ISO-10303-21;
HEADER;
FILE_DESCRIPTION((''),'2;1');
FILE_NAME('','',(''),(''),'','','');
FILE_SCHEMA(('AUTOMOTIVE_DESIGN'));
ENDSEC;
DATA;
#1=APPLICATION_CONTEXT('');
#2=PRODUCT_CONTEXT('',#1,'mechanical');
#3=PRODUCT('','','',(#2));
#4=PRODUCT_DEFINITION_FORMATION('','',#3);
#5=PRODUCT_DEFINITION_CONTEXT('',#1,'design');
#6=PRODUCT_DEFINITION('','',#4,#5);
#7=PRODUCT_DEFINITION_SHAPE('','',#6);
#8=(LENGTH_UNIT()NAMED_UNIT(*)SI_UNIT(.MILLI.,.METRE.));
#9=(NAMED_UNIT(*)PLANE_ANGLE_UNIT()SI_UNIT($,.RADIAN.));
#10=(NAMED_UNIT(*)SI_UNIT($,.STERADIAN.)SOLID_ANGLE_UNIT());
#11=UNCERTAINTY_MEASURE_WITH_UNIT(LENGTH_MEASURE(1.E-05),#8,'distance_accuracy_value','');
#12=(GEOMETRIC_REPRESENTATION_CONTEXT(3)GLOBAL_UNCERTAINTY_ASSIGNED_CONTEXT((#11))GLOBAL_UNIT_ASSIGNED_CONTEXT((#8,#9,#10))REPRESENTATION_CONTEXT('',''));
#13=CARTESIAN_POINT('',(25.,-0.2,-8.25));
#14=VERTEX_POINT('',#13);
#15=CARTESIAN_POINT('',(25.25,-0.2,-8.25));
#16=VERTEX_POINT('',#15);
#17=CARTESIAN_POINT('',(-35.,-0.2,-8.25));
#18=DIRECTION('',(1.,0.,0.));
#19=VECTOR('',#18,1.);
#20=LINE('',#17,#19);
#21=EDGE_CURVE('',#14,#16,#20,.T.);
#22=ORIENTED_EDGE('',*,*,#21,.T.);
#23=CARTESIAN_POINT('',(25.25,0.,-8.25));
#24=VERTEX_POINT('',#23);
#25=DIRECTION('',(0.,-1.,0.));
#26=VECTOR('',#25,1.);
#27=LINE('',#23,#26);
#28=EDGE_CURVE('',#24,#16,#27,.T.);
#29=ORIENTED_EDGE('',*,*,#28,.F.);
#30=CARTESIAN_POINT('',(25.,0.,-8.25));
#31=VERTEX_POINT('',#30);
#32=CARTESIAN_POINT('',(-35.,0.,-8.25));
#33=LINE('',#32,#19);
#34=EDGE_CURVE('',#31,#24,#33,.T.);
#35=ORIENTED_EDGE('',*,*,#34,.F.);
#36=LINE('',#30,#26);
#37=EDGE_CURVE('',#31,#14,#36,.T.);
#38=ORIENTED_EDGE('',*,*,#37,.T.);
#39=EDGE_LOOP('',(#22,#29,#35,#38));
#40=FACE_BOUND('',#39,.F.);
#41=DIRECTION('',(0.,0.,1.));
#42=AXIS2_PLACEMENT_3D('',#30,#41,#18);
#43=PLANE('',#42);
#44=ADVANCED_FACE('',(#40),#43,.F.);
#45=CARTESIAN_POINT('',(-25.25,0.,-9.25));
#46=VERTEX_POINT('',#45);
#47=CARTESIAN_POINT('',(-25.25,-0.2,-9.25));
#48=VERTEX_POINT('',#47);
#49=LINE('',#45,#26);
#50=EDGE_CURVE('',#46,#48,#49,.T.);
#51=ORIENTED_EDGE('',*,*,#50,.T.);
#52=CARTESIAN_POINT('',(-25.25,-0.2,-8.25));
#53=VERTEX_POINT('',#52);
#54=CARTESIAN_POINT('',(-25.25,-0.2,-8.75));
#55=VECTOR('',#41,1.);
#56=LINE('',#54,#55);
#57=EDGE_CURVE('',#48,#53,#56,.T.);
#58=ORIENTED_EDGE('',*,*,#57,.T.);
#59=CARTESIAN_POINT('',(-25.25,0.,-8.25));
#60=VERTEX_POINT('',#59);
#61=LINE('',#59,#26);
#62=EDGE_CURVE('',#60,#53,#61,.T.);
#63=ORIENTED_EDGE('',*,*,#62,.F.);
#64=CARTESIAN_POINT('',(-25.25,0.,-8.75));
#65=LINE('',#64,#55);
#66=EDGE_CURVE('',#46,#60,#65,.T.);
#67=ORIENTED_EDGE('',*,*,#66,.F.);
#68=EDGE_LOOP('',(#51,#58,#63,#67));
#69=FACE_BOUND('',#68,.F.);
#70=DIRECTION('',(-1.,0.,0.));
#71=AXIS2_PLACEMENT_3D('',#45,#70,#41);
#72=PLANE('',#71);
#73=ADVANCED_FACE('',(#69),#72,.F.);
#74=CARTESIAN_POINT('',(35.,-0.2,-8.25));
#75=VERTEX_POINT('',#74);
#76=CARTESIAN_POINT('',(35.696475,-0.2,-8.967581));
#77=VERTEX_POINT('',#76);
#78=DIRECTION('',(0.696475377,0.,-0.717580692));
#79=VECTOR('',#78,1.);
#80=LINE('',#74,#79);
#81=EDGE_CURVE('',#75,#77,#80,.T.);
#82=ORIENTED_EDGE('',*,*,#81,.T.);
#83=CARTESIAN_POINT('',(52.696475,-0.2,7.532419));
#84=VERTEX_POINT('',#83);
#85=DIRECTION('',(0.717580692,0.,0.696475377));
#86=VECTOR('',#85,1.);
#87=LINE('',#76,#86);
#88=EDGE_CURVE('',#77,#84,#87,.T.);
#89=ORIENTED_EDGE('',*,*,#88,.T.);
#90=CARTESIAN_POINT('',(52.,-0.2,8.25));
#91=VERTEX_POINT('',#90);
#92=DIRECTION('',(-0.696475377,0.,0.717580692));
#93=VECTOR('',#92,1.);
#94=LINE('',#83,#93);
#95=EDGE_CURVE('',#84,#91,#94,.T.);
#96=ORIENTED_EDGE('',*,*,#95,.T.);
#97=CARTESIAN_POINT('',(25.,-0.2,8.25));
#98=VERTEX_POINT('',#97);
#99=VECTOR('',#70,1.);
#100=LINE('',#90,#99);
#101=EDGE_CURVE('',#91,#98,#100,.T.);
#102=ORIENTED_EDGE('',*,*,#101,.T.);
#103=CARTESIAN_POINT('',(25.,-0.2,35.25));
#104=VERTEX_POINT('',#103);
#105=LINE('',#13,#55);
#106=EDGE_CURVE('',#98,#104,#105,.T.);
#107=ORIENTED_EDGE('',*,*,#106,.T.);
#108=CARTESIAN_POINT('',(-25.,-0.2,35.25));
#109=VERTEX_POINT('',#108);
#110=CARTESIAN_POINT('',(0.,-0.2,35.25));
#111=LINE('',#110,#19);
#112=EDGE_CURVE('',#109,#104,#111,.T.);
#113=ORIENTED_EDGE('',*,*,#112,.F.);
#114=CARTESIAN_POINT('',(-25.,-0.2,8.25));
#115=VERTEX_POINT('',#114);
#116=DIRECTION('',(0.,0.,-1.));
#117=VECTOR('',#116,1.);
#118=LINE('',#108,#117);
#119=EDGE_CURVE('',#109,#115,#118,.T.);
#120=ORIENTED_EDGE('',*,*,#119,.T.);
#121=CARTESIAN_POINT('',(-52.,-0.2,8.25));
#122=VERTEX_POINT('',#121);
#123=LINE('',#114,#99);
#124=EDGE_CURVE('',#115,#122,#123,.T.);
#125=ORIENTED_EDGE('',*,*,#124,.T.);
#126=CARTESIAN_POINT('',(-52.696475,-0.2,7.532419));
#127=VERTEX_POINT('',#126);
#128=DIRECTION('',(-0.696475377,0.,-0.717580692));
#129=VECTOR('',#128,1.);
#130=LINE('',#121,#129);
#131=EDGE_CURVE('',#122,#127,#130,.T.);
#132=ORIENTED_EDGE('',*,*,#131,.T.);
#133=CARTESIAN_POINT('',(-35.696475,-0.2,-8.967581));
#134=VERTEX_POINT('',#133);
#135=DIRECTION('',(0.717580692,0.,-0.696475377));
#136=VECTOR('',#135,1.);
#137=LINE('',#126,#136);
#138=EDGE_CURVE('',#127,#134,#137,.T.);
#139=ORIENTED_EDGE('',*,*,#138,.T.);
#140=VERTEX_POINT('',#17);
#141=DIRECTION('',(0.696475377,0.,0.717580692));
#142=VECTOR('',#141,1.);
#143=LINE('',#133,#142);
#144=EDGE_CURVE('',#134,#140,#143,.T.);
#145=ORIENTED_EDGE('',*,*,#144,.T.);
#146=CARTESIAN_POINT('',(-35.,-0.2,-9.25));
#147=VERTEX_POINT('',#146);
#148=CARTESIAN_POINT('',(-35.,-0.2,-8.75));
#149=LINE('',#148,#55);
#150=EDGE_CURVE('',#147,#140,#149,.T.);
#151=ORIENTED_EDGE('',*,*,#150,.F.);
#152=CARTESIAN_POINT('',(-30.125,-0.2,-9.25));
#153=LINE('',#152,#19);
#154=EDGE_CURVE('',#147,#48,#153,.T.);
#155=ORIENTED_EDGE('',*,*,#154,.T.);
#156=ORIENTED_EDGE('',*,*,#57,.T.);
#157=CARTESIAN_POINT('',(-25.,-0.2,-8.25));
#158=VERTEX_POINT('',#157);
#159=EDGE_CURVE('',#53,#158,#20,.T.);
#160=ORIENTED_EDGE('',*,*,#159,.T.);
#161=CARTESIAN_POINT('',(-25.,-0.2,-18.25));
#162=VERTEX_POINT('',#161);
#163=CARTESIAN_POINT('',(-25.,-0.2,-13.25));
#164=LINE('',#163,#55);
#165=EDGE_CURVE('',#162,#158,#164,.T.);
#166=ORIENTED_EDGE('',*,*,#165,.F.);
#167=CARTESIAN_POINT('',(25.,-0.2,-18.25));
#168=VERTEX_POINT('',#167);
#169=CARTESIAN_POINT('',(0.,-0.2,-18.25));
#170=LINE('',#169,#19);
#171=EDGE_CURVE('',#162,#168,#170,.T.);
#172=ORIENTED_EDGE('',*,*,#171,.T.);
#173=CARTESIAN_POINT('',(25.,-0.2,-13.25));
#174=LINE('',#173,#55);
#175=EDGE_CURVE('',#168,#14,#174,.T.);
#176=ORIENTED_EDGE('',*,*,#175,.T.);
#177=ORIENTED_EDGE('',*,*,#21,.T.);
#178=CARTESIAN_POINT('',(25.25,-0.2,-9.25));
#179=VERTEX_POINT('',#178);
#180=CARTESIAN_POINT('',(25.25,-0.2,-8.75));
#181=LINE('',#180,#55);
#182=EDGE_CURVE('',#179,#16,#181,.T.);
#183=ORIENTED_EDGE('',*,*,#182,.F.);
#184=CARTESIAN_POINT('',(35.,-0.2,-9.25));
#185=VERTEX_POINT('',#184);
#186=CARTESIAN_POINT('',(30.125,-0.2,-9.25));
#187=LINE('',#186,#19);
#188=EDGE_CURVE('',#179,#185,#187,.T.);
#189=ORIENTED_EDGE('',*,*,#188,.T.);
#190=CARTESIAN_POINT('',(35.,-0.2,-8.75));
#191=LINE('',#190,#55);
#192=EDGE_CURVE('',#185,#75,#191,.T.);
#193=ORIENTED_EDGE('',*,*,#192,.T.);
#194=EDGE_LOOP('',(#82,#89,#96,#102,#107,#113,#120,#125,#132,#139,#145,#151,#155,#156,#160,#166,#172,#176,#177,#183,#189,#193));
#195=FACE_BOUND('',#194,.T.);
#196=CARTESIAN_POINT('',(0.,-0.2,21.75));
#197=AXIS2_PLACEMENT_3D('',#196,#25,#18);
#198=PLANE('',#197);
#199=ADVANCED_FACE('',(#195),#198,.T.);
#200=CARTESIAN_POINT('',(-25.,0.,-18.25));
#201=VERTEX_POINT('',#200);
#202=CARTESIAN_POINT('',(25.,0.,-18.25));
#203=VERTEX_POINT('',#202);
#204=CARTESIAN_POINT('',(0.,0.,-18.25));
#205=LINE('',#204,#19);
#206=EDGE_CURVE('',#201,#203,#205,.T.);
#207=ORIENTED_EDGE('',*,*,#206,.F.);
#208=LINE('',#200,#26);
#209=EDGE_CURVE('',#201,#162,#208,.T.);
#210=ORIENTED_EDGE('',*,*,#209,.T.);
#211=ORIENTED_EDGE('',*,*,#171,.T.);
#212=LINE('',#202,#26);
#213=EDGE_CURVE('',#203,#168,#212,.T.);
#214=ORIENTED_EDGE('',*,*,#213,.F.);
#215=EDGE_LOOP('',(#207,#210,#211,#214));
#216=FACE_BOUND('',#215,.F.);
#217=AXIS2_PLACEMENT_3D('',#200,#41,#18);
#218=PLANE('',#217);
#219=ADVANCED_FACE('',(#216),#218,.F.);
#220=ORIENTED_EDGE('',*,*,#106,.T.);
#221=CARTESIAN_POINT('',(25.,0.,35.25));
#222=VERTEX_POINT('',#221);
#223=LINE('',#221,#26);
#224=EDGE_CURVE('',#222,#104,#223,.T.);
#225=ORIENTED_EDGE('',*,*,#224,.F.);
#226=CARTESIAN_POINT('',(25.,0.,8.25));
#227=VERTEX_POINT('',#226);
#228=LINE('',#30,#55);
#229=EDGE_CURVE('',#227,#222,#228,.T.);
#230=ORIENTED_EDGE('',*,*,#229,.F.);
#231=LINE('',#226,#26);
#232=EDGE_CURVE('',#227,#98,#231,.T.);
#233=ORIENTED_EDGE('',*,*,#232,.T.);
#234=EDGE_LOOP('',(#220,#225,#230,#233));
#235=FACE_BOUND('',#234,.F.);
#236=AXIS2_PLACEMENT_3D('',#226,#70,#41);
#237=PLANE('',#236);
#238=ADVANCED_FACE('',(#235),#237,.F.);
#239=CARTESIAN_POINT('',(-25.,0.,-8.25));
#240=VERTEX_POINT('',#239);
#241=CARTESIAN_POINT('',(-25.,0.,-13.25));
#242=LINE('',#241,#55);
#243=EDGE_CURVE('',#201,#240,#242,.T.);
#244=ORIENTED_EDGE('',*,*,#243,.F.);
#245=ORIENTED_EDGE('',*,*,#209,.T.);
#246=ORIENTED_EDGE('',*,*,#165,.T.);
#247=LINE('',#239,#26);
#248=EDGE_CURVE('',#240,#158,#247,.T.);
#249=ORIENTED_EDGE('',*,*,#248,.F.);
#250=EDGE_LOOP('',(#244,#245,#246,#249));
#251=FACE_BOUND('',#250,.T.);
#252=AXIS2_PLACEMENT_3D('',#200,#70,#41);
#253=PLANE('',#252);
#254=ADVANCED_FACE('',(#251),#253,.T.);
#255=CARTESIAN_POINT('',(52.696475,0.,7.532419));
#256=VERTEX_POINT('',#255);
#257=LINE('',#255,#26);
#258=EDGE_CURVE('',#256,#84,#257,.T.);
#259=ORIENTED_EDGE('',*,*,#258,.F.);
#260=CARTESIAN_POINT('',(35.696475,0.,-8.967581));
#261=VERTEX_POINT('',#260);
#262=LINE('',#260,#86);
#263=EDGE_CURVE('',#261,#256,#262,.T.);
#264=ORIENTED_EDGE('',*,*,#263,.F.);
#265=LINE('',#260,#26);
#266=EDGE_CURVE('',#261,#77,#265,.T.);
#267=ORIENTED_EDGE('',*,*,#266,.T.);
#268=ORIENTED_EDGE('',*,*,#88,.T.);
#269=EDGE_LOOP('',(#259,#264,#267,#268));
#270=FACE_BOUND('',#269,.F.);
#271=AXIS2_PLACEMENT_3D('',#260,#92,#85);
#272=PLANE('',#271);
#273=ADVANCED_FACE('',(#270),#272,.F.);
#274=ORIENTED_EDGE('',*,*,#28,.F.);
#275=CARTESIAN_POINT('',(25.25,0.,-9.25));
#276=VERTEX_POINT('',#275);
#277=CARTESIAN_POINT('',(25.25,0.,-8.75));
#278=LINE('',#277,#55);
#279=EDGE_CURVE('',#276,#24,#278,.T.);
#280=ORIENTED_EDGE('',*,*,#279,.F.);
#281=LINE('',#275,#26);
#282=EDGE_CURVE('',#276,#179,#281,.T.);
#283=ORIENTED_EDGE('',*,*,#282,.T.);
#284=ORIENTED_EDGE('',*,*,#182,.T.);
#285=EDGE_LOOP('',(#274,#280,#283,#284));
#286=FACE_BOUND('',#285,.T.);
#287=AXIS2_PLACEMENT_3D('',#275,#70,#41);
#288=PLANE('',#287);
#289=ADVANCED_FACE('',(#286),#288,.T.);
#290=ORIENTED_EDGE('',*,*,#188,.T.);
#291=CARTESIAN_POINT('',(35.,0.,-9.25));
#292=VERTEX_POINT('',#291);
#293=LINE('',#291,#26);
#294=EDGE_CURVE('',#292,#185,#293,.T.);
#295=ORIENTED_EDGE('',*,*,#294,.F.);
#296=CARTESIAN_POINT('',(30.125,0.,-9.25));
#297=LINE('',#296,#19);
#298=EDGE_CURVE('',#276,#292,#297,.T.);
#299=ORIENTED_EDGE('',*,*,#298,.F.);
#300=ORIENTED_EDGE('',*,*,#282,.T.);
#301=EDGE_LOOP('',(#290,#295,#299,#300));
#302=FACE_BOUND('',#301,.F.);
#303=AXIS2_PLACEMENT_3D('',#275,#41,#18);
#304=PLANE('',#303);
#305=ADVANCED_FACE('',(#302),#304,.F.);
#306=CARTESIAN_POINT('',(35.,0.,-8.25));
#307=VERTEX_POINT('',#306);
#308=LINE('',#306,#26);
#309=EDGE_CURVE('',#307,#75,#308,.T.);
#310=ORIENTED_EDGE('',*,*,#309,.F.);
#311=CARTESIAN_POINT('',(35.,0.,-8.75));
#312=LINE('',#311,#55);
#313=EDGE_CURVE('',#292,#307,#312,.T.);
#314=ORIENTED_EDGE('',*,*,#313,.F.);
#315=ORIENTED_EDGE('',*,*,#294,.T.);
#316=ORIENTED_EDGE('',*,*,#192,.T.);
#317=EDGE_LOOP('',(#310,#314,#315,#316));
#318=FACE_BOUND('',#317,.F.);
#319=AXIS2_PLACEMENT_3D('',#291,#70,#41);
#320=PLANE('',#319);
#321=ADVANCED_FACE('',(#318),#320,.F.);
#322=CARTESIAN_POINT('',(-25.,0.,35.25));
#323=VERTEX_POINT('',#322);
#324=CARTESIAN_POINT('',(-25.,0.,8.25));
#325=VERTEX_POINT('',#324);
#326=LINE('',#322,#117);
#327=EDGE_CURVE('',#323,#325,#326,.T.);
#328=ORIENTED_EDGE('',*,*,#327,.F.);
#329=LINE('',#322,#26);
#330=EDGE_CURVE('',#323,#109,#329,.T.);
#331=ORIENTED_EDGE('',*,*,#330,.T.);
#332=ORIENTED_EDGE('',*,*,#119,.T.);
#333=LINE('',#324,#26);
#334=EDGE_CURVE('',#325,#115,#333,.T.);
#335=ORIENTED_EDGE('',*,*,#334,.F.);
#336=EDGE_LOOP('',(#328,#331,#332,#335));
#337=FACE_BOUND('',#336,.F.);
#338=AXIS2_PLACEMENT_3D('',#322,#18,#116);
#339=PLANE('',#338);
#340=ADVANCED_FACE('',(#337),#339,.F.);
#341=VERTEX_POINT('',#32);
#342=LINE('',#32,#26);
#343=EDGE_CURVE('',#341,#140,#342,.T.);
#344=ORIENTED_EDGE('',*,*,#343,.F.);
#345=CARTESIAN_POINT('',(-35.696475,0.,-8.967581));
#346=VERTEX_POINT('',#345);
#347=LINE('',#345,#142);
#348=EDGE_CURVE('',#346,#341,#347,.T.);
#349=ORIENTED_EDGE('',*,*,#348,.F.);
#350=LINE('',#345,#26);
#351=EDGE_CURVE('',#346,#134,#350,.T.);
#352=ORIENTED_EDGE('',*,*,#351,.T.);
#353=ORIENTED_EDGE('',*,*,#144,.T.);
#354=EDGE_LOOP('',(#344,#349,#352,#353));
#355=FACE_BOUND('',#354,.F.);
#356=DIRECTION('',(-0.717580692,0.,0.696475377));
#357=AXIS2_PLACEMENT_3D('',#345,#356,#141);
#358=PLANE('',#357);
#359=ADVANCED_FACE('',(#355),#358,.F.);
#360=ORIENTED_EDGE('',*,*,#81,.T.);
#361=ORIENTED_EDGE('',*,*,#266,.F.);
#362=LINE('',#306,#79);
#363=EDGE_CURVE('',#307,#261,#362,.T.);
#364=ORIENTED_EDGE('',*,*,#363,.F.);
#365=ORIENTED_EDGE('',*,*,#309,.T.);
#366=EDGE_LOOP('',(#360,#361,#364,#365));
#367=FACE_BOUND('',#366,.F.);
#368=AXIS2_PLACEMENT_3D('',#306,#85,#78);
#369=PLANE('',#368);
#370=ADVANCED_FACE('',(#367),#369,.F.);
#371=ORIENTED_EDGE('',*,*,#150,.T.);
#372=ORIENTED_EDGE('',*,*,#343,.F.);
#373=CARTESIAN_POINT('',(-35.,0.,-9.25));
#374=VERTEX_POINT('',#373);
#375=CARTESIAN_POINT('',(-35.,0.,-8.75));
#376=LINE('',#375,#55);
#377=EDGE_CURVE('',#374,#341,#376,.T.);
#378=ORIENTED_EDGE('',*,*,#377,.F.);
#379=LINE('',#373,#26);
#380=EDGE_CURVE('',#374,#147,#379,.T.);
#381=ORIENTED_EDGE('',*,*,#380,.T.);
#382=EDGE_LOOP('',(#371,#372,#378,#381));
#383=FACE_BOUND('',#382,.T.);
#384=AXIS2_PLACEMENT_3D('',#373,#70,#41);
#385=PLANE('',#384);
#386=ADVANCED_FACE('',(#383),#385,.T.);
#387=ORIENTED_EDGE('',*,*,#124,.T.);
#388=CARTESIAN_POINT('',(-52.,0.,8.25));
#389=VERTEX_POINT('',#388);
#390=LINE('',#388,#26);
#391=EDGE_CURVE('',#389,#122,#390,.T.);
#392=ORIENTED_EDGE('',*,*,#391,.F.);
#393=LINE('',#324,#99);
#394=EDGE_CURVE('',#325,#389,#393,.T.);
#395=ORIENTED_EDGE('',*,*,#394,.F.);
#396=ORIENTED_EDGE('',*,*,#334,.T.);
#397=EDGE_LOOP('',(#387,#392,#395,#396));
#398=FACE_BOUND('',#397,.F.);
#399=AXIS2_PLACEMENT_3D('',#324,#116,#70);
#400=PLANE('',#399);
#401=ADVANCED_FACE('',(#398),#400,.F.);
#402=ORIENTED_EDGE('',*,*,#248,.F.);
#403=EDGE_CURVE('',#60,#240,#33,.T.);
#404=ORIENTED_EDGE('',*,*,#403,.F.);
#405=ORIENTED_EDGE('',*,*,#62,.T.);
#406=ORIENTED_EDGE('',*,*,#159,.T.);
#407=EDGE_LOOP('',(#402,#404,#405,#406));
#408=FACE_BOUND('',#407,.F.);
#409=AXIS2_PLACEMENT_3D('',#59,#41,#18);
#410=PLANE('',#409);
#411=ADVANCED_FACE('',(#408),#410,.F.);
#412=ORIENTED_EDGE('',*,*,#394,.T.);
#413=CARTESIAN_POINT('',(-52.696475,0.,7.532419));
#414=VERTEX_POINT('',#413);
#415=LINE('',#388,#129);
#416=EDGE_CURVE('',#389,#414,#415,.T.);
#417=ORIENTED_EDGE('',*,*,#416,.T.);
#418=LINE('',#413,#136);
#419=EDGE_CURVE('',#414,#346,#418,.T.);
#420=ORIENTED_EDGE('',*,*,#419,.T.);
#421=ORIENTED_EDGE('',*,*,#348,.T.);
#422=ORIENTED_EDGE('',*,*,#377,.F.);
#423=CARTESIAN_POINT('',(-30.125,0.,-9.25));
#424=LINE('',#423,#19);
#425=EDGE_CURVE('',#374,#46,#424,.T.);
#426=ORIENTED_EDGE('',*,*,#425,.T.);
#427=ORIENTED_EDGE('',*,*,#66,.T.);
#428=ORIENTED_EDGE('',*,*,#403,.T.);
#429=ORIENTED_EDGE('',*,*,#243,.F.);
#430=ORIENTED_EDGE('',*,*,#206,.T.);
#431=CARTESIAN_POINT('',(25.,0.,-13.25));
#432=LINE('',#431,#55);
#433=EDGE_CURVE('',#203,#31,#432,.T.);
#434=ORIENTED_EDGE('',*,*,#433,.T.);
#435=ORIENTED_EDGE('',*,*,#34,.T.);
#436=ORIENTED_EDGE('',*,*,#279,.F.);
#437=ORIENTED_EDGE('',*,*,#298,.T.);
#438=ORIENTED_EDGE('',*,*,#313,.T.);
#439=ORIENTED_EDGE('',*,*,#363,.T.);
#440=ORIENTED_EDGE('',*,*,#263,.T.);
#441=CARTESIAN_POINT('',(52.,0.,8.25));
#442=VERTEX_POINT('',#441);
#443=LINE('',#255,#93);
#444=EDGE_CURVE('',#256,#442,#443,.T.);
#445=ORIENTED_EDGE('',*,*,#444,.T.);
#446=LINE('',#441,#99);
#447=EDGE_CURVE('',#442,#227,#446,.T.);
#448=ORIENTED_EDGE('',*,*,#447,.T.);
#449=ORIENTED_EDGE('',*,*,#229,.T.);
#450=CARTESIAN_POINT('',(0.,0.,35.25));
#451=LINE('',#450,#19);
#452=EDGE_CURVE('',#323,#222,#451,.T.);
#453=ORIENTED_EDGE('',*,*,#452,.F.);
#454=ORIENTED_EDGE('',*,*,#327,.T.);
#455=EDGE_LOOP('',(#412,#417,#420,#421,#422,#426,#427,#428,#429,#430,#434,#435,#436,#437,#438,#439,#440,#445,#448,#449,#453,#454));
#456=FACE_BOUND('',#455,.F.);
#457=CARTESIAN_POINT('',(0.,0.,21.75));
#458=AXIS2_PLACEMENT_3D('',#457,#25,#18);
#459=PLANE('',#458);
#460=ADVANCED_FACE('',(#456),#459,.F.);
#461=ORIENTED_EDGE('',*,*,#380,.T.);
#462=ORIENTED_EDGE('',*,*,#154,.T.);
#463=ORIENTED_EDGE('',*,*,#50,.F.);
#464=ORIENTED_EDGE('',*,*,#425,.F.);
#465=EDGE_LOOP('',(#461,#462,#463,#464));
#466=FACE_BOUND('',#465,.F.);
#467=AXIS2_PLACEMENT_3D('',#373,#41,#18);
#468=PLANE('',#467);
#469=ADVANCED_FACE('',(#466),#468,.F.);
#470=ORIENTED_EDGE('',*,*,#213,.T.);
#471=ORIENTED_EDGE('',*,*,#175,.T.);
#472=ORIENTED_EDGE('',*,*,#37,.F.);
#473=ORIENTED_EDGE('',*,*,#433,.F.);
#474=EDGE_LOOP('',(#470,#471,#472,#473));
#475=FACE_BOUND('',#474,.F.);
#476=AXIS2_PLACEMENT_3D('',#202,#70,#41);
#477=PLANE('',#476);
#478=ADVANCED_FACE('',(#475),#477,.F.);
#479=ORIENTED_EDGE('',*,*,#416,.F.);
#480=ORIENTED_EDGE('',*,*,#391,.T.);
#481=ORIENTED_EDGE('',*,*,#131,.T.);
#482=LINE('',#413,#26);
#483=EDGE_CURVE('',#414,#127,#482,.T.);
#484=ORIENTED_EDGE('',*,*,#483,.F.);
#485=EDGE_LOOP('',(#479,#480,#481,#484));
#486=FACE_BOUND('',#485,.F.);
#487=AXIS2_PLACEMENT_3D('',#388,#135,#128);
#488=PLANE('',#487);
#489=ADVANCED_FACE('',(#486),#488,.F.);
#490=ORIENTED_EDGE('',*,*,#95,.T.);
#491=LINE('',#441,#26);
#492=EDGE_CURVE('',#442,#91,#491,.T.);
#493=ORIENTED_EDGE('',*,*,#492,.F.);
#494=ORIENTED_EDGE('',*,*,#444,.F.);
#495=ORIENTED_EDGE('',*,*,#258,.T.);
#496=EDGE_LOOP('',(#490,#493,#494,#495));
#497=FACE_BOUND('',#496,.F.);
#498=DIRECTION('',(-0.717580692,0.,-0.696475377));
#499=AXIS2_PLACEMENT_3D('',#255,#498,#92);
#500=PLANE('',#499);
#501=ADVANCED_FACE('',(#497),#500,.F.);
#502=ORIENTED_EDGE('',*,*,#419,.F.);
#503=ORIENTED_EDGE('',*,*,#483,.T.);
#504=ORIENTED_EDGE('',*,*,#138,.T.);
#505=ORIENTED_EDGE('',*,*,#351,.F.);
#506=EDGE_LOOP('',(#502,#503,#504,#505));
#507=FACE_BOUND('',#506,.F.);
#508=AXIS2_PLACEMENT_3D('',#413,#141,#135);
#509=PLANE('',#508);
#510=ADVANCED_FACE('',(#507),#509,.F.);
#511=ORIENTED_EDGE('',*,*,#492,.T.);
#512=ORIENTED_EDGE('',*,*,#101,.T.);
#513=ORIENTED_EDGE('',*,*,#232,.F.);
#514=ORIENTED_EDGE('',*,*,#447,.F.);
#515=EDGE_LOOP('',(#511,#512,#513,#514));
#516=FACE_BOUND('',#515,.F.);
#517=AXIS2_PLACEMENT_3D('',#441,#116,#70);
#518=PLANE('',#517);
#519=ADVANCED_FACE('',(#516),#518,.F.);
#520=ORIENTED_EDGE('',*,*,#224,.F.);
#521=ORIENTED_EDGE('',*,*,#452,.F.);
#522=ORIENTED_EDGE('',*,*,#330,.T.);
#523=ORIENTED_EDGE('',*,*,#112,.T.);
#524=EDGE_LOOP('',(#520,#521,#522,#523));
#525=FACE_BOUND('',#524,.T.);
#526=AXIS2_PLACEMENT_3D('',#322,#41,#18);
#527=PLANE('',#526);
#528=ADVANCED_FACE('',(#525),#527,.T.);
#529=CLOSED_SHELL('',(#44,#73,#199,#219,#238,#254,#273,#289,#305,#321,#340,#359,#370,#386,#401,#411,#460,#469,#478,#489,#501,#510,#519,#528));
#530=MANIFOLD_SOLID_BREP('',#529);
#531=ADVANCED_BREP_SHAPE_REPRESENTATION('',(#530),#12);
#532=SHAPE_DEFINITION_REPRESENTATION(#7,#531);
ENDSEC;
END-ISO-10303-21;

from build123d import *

# Parameters (mm, degrees)
F0_W     = 50
F0_H     = 27
F0_H_2   = 16.5
F0_H_3   = 10
F0_W_2   = 9.75
F0_H_4   = 1
F1_DEPTH = 0.2


with BuildPart() as f1:
    # F0 (on Front) → F1 (new body)
    with BuildSketch(Plane.XZ):
        with Locations((0, 21.75)):
            Rectangle(F0_W, F0_H)
        Rectangle(F0_W, F0_H_2)
        Polygon((-25, -8.25), (-25, 8.25), (-52, 8.25), (-35, -8.25), (-25.25, -8.25), align=None)
        Polygon((52, 8.25), (25, 8.25), (25, -8.25), (25.25, -8.25), (35, -8.25), align=None)
        with Locations((0, -13.25)):
            Rectangle(F0_W, F0_H_3)
        Polygon((-35, -8.25), (-52, 8.25), (-52.6964753772, 7.5324193084), (-35.6964753772, -8.9675806916), align=None)
        Polygon((52.6964753772, 7.5324193084), (52, 8.25), (35, -8.25), (35.6964753772, -8.9675806916), align=None)
        with Locations((-30.125, -8.75)):
            Rectangle(F0_W_2, F0_H_4)
        with Locations((30.125, -8.75)):
            Rectangle(F0_W_2, F0_H_4)
    extrude(amount=F1_DEPTH)


solid = f1.part
